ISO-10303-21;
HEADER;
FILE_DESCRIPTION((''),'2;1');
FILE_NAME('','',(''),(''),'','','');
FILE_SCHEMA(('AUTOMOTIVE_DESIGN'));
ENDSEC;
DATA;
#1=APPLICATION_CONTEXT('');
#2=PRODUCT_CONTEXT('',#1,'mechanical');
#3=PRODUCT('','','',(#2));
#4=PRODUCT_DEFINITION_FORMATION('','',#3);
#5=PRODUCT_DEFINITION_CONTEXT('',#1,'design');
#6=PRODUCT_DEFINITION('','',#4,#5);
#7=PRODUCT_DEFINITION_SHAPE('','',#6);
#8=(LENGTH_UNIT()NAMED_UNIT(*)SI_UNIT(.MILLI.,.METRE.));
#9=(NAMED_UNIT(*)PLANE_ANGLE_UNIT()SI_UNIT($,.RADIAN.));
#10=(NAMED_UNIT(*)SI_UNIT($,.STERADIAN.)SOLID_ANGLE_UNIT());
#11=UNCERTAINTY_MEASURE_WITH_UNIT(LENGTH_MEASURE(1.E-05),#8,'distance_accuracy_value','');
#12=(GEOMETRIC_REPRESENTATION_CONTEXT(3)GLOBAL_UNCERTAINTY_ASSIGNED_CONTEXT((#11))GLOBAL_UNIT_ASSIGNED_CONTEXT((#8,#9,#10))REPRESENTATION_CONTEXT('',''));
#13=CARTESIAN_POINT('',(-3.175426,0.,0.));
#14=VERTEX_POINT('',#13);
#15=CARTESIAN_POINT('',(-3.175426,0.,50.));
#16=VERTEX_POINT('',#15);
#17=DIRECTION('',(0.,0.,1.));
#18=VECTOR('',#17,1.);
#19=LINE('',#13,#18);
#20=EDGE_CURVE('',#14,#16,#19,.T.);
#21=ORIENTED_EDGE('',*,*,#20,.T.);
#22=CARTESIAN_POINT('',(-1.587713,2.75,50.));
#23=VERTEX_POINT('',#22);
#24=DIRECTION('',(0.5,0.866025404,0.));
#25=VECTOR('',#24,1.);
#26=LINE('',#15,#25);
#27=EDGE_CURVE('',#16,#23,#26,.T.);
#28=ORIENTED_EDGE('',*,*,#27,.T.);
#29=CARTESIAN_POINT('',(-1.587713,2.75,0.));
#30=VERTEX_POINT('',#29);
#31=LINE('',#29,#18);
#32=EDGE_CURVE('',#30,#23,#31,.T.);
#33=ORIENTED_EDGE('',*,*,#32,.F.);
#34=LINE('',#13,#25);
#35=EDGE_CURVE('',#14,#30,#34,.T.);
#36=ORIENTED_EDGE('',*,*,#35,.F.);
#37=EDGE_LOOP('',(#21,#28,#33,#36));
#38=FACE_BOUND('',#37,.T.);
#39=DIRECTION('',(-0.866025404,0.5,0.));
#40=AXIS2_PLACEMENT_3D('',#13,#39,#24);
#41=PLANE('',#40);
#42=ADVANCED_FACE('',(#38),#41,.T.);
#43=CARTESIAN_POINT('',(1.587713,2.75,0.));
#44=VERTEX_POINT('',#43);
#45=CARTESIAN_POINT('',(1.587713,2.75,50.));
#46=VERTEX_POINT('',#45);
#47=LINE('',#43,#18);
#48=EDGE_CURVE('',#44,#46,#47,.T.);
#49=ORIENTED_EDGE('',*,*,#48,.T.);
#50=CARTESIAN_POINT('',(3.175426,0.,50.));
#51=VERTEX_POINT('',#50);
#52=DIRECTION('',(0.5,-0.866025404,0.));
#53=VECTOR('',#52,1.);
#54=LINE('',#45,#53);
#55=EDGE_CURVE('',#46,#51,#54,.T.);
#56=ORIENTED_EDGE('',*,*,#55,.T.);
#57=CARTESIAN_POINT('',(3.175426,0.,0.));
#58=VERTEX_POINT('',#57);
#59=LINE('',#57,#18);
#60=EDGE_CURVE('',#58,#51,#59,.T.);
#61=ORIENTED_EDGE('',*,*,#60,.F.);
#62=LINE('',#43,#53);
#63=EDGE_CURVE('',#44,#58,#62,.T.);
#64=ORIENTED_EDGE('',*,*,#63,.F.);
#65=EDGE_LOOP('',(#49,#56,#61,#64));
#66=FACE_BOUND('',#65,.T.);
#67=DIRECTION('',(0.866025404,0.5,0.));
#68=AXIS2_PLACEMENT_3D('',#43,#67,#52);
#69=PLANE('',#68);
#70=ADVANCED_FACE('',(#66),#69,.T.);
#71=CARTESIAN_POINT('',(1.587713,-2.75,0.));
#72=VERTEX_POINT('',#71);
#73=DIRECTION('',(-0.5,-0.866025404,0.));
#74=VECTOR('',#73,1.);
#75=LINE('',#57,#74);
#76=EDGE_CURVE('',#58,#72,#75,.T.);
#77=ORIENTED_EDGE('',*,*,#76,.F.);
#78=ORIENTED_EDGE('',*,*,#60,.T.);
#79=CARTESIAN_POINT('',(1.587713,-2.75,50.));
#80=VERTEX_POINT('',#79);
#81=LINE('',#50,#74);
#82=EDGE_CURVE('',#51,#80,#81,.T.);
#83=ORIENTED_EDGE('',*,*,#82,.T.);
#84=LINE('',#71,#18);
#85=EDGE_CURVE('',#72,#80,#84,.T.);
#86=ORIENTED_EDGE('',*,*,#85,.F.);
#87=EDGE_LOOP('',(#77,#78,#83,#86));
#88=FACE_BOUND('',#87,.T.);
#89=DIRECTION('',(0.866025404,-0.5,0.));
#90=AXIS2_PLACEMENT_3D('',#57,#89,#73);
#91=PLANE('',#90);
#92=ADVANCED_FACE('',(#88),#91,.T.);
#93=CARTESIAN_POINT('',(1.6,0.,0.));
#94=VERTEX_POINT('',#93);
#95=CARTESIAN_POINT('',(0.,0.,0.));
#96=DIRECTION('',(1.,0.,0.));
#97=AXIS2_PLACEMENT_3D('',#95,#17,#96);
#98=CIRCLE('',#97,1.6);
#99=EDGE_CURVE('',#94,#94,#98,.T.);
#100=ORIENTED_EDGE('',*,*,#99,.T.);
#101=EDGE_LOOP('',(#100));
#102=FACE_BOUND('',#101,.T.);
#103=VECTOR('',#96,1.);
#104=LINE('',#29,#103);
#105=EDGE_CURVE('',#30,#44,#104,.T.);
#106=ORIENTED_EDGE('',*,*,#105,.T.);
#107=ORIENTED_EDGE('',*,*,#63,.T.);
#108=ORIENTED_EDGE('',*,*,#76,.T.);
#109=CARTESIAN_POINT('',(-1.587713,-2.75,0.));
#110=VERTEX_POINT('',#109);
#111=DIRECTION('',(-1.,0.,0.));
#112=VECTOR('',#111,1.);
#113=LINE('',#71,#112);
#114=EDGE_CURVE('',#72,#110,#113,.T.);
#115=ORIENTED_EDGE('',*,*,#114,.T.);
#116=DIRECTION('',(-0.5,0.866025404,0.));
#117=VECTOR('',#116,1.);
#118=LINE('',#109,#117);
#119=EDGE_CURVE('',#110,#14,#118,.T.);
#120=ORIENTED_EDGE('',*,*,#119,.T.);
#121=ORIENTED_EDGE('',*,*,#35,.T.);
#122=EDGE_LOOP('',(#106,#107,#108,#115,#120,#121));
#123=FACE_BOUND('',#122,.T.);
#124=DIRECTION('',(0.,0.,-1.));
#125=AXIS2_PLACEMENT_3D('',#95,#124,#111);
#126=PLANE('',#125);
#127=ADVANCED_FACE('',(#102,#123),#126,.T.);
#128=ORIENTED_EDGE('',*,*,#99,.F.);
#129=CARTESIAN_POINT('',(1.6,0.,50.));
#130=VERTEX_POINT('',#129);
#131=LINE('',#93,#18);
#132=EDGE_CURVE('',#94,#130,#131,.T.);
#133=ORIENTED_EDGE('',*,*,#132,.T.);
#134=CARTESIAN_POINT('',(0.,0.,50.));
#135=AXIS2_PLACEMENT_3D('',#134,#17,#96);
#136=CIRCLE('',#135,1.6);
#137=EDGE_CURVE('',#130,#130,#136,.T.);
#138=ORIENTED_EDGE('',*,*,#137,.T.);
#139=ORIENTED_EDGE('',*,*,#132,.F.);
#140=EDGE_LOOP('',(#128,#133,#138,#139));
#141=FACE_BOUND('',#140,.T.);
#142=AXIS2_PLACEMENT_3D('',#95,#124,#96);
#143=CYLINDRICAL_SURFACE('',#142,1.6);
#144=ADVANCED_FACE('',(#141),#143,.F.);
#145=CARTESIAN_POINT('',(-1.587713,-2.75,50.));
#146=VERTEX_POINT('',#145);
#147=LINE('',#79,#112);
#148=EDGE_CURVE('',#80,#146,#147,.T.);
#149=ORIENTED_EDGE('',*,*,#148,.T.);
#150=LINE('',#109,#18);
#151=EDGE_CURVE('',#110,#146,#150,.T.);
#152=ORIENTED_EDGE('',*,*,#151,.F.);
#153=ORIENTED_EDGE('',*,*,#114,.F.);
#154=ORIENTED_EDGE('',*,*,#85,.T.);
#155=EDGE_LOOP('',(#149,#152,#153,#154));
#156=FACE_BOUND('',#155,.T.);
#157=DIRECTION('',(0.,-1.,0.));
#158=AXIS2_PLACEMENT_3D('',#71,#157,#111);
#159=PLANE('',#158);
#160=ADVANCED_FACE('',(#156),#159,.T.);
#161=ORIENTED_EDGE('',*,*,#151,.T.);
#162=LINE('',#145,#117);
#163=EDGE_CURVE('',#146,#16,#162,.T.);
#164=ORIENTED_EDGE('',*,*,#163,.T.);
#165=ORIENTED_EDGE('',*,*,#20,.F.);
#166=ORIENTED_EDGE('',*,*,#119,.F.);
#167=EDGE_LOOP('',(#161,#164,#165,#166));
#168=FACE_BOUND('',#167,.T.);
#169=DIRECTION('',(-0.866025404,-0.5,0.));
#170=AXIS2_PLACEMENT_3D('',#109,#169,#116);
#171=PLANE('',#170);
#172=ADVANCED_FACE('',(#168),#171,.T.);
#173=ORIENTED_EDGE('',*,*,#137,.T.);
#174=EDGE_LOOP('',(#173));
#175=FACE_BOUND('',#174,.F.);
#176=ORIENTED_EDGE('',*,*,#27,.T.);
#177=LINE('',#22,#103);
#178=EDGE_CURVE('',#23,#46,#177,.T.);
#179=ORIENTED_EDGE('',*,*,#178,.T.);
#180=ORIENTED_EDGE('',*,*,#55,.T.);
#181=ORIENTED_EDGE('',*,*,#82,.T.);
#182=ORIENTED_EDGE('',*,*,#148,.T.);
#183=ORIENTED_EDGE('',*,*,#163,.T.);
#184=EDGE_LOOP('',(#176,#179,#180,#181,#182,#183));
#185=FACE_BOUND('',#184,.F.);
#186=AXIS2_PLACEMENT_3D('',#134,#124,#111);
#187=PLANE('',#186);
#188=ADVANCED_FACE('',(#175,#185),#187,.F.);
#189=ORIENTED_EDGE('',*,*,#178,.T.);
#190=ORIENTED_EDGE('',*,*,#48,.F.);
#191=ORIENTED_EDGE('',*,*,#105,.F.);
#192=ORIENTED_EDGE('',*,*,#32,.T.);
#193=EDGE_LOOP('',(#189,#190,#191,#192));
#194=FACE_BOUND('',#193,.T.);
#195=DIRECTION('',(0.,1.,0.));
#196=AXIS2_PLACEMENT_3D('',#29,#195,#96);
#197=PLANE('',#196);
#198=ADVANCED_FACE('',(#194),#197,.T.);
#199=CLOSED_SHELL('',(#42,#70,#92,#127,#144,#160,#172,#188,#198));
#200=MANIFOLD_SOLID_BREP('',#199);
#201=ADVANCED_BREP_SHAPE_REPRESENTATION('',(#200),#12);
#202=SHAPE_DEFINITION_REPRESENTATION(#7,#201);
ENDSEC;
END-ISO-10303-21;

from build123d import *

# Parameters (mm, degrees)
SKETCH1_R           = 1.6
BOSS_EXTRUDE1_DEPTH = 50


with BuildPart() as part:
    # Sketch1 → Boss-Extrude1 (new body)
    with BuildSketch(Plane.XY):
        Polygon((-1.58771324, 2.75), (1.58771324, 2.75), (3.175426481, 0), (1.58771324, -2.75), (-1.58771324, -2.75), (-3.175426481, 0), align=None)
        Circle(SKETCH1_R, mode=Mode.SUBTRACT)
    extrude(amount=BOSS_EXTRUDE1_DEPTH)


solid = part.part
